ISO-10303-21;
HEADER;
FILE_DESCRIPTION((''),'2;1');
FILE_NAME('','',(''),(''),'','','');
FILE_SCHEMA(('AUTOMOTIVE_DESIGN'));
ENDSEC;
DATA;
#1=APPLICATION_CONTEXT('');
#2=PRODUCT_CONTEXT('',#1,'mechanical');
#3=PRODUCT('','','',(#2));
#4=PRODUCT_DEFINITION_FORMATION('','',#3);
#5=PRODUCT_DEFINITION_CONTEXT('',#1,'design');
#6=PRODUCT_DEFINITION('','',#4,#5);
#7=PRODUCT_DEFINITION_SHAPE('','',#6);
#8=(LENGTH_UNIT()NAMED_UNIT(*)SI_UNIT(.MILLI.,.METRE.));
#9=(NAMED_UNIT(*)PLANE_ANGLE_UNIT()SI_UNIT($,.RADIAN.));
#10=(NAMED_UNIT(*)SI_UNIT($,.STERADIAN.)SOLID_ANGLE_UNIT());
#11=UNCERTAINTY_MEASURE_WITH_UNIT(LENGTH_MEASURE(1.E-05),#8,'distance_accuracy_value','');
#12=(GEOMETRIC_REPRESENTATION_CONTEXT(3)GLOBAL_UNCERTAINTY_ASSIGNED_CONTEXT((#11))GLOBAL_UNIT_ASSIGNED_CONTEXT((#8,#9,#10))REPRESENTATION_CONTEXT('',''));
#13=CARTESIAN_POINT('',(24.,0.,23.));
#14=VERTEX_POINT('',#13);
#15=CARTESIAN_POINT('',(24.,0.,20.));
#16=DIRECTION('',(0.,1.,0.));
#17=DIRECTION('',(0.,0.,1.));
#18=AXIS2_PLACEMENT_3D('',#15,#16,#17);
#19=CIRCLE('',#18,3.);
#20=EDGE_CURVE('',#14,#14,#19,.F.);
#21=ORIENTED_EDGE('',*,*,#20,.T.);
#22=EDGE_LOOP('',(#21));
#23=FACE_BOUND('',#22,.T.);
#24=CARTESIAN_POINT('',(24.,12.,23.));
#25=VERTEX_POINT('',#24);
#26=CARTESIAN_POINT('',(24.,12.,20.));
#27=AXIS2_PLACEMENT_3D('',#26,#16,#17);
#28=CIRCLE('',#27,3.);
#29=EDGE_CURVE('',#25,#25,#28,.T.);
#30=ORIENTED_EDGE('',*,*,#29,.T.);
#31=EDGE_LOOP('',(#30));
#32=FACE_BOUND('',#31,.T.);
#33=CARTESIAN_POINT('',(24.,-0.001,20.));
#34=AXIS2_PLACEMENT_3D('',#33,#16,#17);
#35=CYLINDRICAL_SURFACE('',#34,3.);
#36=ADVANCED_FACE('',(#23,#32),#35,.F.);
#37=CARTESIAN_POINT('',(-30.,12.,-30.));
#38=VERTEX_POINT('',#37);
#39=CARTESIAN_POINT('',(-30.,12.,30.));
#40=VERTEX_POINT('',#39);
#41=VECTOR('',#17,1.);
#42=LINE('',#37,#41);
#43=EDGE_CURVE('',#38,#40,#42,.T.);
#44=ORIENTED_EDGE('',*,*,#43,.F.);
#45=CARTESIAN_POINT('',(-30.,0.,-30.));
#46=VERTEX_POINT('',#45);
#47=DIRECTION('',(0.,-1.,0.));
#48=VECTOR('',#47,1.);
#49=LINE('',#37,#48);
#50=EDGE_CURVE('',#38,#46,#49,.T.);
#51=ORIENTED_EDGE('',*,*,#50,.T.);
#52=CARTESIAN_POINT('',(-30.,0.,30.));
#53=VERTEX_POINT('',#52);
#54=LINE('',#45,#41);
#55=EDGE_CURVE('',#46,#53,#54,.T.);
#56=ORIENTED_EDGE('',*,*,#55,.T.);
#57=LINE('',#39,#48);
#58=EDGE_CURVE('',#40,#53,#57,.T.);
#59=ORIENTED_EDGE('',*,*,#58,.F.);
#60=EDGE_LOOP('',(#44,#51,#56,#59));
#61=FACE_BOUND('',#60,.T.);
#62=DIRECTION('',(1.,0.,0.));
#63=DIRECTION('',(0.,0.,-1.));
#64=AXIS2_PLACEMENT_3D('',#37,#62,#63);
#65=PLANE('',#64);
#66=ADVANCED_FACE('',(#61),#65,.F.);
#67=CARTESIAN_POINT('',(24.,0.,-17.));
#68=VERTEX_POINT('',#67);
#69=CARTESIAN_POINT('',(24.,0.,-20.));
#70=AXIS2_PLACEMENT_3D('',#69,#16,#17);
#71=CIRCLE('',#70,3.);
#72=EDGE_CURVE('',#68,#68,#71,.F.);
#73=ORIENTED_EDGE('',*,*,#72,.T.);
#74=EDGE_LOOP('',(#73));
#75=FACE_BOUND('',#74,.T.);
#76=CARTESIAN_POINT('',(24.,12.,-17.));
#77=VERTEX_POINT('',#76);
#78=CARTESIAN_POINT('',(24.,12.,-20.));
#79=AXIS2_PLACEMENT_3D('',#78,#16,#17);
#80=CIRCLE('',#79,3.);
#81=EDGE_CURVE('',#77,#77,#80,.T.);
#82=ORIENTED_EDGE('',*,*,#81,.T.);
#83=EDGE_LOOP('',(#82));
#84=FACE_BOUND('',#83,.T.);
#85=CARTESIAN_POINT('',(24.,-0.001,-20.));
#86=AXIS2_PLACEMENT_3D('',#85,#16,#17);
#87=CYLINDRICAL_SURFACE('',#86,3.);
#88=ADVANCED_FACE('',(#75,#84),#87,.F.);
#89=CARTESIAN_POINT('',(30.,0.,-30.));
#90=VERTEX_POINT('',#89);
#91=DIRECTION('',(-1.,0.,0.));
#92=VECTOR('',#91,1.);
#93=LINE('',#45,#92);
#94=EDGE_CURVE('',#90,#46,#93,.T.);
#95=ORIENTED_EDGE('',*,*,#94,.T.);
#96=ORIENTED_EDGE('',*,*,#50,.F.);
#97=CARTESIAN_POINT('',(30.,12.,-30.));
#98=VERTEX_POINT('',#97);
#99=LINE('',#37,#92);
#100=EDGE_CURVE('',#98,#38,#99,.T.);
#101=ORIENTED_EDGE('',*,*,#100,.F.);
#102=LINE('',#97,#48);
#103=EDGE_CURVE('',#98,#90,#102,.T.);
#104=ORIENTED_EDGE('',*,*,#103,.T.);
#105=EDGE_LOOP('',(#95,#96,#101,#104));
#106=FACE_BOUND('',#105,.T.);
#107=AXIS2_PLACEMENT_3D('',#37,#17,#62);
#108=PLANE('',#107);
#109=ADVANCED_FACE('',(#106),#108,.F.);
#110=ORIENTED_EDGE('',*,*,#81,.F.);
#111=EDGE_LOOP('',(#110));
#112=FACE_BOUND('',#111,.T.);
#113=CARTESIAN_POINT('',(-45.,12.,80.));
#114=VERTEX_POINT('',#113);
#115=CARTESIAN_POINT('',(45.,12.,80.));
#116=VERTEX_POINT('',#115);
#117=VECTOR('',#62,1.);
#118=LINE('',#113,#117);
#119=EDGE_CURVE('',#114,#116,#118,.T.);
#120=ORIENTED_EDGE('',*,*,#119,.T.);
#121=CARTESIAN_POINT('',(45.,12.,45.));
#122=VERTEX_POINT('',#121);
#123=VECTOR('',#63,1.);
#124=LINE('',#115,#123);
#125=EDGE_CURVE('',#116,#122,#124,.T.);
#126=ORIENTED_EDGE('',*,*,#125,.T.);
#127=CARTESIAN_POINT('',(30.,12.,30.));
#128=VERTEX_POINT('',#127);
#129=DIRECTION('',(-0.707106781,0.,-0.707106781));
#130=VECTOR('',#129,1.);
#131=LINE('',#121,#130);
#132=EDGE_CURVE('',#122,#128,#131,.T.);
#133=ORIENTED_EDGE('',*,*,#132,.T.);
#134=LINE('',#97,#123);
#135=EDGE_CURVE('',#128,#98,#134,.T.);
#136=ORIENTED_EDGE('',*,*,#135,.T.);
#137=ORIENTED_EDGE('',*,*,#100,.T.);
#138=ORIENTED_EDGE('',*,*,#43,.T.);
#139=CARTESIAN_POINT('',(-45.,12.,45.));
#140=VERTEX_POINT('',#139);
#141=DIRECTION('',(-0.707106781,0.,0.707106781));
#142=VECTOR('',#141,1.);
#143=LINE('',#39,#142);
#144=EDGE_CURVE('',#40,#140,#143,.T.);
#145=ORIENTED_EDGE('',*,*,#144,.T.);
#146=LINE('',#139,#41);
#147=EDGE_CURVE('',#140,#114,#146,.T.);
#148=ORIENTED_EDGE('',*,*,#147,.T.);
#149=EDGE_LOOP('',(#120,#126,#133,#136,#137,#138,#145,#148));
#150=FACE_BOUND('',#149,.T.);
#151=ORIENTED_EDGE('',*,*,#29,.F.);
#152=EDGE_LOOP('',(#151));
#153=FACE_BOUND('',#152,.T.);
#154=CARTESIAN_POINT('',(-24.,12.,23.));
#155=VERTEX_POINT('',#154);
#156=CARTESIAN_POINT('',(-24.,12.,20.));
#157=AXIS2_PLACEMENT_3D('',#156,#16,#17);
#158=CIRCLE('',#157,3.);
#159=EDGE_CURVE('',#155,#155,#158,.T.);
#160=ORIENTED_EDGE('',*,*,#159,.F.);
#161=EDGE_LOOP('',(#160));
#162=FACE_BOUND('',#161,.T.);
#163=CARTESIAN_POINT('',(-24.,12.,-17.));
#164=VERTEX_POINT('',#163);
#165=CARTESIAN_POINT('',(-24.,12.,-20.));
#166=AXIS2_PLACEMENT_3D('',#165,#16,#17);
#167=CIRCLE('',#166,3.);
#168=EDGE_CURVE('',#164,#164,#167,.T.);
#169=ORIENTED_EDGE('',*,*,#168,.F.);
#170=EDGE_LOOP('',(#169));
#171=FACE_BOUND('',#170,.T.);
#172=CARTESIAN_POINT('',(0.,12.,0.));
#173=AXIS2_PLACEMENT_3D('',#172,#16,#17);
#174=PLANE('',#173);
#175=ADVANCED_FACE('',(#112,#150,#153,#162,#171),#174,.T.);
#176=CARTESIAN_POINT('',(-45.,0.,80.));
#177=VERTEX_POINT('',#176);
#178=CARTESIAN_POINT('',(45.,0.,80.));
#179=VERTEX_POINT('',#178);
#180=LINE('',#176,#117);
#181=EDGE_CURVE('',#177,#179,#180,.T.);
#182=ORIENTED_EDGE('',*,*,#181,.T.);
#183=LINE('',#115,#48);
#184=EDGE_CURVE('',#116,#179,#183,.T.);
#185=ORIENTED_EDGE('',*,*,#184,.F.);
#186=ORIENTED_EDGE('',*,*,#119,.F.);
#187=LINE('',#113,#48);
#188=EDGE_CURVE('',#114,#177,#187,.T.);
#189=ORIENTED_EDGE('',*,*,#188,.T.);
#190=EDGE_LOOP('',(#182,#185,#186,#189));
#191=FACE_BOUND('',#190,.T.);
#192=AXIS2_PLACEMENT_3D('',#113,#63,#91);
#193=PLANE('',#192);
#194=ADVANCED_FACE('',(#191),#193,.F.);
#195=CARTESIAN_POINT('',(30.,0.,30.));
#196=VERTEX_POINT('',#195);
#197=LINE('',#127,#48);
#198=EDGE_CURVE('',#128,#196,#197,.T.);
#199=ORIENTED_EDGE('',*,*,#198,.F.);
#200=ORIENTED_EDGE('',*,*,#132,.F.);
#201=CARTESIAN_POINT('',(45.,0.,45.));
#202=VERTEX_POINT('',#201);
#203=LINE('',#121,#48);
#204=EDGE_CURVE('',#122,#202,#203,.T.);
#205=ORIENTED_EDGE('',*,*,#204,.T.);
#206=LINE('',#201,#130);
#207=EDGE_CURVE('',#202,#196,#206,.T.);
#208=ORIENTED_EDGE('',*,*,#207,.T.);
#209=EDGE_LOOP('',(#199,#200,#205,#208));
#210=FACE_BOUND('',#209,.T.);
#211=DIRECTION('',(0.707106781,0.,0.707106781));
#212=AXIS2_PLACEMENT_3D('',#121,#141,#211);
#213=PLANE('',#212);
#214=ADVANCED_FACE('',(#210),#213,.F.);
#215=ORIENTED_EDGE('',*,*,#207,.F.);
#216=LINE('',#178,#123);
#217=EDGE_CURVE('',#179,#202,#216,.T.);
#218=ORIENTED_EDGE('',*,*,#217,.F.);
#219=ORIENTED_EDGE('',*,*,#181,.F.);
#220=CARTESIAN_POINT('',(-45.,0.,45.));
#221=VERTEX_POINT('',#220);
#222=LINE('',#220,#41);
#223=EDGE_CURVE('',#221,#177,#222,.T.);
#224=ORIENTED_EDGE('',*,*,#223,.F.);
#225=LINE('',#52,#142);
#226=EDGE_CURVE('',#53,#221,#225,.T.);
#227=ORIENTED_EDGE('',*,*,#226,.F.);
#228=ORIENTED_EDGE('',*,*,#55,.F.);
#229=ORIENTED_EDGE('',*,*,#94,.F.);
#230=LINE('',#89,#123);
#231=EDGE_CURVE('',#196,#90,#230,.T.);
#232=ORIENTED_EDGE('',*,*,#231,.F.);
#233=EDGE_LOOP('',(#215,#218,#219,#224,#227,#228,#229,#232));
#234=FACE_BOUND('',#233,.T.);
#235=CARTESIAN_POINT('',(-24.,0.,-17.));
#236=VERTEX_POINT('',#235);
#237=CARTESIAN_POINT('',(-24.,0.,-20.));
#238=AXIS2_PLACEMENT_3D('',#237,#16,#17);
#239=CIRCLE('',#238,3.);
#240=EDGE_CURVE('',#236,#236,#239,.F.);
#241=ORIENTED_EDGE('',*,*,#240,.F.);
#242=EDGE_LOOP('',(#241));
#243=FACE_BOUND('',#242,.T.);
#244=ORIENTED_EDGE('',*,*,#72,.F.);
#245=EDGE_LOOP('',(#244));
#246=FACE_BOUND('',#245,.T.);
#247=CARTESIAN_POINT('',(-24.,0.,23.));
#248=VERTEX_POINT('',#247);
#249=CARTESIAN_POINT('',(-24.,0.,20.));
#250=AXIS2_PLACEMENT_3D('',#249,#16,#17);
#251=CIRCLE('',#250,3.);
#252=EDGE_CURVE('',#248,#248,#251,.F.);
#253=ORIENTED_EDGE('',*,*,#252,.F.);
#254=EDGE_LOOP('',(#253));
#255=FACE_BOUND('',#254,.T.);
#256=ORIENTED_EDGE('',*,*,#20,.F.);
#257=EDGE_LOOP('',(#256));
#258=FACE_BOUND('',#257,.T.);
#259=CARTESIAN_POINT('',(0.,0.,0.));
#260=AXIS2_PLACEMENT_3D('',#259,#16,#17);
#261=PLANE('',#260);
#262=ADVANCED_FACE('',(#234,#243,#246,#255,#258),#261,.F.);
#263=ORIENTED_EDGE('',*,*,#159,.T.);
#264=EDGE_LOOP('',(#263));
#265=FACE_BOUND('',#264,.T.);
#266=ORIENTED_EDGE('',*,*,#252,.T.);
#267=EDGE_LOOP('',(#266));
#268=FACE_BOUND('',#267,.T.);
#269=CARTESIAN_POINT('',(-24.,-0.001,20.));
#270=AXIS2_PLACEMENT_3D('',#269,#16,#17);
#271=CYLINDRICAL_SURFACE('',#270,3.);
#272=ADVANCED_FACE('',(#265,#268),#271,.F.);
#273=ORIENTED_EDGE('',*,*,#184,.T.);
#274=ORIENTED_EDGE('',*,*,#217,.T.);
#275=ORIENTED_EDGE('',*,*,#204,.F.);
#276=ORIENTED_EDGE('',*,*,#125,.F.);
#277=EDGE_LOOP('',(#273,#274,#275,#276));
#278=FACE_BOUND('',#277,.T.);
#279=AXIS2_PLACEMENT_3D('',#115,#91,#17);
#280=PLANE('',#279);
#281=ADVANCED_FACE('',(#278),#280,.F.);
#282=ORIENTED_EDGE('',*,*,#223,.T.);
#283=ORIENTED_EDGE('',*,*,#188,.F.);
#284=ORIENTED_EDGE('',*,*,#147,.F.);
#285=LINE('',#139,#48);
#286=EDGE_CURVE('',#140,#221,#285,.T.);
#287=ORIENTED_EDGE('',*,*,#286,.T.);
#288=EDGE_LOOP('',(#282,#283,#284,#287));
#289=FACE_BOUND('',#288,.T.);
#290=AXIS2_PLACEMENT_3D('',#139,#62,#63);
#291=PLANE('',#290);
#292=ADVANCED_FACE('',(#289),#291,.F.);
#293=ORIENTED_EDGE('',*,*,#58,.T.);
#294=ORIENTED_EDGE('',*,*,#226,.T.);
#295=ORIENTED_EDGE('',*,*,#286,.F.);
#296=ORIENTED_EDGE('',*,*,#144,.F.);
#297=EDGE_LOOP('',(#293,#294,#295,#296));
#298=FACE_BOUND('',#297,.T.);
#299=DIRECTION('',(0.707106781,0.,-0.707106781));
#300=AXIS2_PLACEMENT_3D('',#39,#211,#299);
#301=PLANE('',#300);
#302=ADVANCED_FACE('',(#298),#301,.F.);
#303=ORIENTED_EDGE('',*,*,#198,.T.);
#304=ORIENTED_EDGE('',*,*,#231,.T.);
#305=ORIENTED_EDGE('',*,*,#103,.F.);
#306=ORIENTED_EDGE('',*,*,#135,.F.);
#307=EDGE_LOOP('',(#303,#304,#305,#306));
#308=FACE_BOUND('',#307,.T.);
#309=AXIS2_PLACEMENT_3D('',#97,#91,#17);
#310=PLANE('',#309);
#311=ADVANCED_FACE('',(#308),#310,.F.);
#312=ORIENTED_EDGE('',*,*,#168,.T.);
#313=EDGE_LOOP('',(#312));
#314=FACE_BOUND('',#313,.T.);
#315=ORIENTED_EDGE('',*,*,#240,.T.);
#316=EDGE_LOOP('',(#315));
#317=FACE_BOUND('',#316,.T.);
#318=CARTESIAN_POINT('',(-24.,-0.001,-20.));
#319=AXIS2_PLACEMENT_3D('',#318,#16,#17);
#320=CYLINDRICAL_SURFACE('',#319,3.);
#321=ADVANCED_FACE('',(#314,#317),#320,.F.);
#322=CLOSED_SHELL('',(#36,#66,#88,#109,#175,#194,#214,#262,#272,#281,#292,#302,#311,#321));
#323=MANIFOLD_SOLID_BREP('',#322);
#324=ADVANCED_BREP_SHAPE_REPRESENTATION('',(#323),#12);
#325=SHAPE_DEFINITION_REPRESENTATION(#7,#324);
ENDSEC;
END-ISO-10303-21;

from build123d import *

# Parameters (mm, degrees)
BOSS_EXTRUDE1_DEPTH = 12
CUT_EXTRUDE1_REACH  = 94.569
SKETCH2_R           = 3


with BuildPart() as part:
    # Sketch1 → Boss-Extrude1 (new body)
    with BuildSketch(Plane(origin=(0, 0, 0), x_dir=(1, 0, 0), z_dir=(0, 1, 0))):
        Polygon((-30, -30), (-45, -45), (-45, -80), (45, -80), (45, -45), (30, -30), (30, 30), (-30, 30), align=None)
    extrude(amount=BOSS_EXTRUDE1_DEPTH)

    # Sketch2 → Cut-Extrude1 (cut, up to next)
    with BuildSketch(Plane(origin=(0, 12, 0), x_dir=(1, 0, 0), z_dir=(0, 1, 0)), mode=Mode.PRIVATE) as cut_extrude1_sk1:
        with Locations(Location((-24, 20, 0), (0, 0, 270))):
            Circle(SKETCH2_R)
    cut_extrude1_tool1 = extrude(cut_extrude1_sk1.sketch, amount=-CUT_EXTRUDE1_REACH, mode=Mode.PRIVATE) & part.part
    # Sketch2 → Cut-Extrude1 (cut, up to next)
    with BuildSketch(Plane(origin=(0, 12, 0), x_dir=(1, 0, 0), z_dir=(0, 1, 0)), mode=Mode.PRIVATE) as cut_extrude1_sk2:
        with Locations(Location((-24, -20, 0), (0, 0, 270))):
            Circle(SKETCH2_R)
    cut_extrude1_tool2 = extrude(cut_extrude1_sk2.sketch, amount=-CUT_EXTRUDE1_REACH, mode=Mode.PRIVATE) & part.part
    # Sketch2 → Cut-Extrude1 (cut, up to next)
    with BuildSketch(Plane(origin=(0, 12, 0), x_dir=(1, 0, 0), z_dir=(0, 1, 0)), mode=Mode.PRIVATE) as cut_extrude1_sk3:
        with Locations(Location((24, 20, 0), (0, 0, 270))):
            Circle(SKETCH2_R)
    cut_extrude1_tool3 = extrude(cut_extrude1_sk3.sketch, amount=-CUT_EXTRUDE1_REACH, mode=Mode.PRIVATE) & part.part
    # Sketch2 → Cut-Extrude1 (cut, up to next)
    with BuildSketch(Plane(origin=(0, 12, 0), x_dir=(1, 0, 0), z_dir=(0, 1, 0)), mode=Mode.PRIVATE) as cut_extrude1_sk4:
        with Locations(Location((24, -20, 0), (0, 0, 270))):
            Circle(SKETCH2_R)
    cut_extrude1_tool4 = extrude(cut_extrude1_sk4.sketch, amount=-CUT_EXTRUDE1_REACH, mode=Mode.PRIVATE) & part.part
    add(cut_extrude1_tool1.solids().sort_by_distance((-24, 12, -20))[0], mode=Mode.SUBTRACT)
    add(cut_extrude1_tool2.solids().sort_by_distance((-24, 12, 20))[0], mode=Mode.SUBTRACT)
    add(cut_extrude1_tool3.solids().sort_by_distance((24, 12, -20))[0], mode=Mode.SUBTRACT)
    add(cut_extrude1_tool4.solids().sort_by_distance((24, 12, 20))[0], mode=Mode.SUBTRACT)


solid = part.part
